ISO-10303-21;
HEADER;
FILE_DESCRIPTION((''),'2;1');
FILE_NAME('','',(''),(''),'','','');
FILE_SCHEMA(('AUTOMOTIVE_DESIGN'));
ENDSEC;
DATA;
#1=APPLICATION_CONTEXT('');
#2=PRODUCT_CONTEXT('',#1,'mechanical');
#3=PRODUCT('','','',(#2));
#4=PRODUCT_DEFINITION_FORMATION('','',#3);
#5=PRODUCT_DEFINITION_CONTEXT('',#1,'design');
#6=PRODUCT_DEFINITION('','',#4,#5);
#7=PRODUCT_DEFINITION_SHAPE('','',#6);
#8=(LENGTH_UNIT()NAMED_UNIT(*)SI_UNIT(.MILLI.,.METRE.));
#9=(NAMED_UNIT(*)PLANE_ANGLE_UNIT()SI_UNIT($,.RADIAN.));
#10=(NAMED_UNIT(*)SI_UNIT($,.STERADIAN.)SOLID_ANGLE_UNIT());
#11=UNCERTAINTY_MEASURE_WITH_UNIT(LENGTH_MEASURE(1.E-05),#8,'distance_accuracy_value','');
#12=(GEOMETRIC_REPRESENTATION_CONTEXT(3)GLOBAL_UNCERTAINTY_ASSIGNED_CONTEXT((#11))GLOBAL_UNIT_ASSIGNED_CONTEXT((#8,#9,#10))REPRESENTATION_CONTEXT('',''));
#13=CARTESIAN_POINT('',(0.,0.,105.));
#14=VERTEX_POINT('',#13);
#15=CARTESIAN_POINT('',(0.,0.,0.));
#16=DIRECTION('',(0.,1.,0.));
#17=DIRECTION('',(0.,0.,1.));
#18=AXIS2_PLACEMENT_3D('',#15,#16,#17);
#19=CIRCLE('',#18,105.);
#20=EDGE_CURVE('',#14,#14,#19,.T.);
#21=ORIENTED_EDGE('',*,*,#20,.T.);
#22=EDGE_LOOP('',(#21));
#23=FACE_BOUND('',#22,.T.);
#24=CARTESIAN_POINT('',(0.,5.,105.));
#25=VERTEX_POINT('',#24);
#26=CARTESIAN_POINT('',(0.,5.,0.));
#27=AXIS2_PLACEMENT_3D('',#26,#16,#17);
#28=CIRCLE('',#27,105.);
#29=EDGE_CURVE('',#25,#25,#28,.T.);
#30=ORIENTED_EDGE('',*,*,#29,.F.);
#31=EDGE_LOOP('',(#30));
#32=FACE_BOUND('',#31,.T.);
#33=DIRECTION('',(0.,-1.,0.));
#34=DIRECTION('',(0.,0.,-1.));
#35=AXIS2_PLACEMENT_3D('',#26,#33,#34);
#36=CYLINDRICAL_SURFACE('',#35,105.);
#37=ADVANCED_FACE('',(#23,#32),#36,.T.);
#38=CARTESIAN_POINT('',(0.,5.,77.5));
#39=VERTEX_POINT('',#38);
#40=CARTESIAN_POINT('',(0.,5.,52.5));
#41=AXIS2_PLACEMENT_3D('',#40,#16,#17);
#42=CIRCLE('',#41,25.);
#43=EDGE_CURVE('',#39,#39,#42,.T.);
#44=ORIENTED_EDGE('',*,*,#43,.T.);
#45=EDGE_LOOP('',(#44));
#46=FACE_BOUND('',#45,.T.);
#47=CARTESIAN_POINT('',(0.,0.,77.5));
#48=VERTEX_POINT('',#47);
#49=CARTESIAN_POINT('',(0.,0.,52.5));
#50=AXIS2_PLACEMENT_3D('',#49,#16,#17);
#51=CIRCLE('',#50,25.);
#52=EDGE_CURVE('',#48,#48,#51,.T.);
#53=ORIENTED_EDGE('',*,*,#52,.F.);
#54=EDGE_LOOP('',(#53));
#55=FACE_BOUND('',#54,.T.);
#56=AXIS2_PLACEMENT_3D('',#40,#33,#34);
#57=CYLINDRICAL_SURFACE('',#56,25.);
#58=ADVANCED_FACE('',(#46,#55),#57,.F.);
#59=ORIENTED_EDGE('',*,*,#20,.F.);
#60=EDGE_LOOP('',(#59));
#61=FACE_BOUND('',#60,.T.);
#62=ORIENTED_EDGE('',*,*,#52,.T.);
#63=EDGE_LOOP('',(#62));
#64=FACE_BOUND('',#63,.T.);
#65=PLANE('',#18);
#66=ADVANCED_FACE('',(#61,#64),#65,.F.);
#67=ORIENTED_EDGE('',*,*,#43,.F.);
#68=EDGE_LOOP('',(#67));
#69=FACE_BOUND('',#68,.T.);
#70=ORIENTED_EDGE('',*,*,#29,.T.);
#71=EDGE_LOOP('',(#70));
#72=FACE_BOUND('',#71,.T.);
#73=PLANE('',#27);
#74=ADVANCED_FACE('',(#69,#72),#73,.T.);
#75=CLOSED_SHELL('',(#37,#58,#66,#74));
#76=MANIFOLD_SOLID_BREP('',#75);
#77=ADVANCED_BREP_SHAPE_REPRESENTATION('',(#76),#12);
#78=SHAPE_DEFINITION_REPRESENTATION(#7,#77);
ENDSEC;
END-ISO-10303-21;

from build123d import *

# Parameters (mm, degrees)
SKETCH1_R           = 105
SKETCH1_R_2         = 25
BOSS_EXTRUDE4_DEPTH = 5


with BuildPart() as part:
    # Sketch1 → Boss-Extrude4 (new body)
    with BuildSketch(Plane(origin=(0, 0, 0), x_dir=(1, 0, 0), z_dir=(0, 1, 0))):
        Circle(SKETCH1_R)
        with Locations((0, -52.5)):
            Circle(SKETCH1_R_2, mode=Mode.SUBTRACT)
    extrude(amount=BOSS_EXTRUDE4_DEPTH)


solid = part.part
